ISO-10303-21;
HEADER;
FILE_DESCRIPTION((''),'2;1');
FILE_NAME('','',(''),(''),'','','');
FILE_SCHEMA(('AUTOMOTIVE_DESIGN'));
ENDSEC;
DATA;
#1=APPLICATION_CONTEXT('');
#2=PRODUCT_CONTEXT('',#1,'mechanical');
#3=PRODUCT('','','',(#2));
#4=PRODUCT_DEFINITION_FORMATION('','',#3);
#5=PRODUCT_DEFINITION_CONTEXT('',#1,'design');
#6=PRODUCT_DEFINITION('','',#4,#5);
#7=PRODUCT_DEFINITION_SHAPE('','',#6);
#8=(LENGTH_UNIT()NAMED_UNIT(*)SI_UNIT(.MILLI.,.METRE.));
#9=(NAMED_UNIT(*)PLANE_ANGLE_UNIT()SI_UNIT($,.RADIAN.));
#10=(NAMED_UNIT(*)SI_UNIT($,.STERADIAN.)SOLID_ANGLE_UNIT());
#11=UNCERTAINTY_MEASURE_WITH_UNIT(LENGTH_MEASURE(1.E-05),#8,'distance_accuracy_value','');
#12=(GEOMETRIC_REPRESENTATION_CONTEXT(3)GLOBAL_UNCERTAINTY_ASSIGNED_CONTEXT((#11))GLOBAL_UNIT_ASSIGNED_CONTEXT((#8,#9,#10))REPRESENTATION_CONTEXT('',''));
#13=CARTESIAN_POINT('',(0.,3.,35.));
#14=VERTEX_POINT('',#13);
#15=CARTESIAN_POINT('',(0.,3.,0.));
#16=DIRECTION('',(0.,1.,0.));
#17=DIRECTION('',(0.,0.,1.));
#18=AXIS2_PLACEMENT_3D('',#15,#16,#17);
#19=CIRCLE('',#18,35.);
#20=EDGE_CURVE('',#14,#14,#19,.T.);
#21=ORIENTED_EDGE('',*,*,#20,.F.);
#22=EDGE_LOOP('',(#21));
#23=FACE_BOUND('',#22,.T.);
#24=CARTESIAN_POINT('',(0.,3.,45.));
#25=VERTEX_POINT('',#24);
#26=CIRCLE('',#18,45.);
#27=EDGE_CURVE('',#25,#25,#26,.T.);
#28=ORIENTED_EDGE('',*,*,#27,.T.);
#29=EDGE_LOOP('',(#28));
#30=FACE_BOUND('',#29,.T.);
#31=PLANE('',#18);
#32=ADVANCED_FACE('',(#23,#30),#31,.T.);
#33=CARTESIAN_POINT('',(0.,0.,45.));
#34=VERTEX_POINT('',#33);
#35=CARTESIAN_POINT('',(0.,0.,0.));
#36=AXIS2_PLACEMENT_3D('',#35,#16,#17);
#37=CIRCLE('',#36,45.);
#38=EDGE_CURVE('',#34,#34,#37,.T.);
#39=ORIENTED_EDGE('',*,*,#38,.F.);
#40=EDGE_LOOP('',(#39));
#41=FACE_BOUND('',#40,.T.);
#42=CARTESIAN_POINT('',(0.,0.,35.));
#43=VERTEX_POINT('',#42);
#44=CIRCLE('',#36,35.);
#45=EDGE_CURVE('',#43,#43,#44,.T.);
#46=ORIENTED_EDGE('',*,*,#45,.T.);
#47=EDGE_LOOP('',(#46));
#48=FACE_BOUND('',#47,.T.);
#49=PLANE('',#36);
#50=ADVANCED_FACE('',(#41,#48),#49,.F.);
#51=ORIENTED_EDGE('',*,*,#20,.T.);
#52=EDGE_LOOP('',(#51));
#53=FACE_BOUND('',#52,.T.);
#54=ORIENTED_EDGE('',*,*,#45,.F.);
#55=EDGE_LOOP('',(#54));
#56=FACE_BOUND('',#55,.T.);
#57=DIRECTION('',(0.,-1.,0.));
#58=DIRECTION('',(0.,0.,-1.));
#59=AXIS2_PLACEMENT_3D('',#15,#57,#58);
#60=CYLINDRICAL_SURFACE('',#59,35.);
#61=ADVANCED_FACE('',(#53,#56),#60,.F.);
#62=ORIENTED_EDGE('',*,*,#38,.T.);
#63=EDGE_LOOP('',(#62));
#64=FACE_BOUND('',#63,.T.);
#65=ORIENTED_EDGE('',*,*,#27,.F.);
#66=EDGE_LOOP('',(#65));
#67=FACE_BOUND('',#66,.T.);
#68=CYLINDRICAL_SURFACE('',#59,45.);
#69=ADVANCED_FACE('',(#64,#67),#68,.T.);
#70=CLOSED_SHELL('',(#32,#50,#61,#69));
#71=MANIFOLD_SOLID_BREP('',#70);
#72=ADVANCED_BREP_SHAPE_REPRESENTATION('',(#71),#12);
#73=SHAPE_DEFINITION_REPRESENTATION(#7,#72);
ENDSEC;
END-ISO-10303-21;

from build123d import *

# Parameters (mm, degrees)
CROQUIS1_R              = 45
CROQUIS1_R_2            = 35
SALIENTE_EXTRUIR1_DEPTH = 3


with BuildPart() as part:
    # Croquis1 → Saliente-Extruir1 (new body)
    with BuildSketch(Plane(origin=(0, 0, 0), x_dir=(1, 0, 0), z_dir=(0, 1, 0))):
        Circle(CROQUIS1_R)
        Circle(CROQUIS1_R_2, mode=Mode.SUBTRACT)
    extrude(amount=SALIENTE_EXTRUIR1_DEPTH)


solid = part.part
